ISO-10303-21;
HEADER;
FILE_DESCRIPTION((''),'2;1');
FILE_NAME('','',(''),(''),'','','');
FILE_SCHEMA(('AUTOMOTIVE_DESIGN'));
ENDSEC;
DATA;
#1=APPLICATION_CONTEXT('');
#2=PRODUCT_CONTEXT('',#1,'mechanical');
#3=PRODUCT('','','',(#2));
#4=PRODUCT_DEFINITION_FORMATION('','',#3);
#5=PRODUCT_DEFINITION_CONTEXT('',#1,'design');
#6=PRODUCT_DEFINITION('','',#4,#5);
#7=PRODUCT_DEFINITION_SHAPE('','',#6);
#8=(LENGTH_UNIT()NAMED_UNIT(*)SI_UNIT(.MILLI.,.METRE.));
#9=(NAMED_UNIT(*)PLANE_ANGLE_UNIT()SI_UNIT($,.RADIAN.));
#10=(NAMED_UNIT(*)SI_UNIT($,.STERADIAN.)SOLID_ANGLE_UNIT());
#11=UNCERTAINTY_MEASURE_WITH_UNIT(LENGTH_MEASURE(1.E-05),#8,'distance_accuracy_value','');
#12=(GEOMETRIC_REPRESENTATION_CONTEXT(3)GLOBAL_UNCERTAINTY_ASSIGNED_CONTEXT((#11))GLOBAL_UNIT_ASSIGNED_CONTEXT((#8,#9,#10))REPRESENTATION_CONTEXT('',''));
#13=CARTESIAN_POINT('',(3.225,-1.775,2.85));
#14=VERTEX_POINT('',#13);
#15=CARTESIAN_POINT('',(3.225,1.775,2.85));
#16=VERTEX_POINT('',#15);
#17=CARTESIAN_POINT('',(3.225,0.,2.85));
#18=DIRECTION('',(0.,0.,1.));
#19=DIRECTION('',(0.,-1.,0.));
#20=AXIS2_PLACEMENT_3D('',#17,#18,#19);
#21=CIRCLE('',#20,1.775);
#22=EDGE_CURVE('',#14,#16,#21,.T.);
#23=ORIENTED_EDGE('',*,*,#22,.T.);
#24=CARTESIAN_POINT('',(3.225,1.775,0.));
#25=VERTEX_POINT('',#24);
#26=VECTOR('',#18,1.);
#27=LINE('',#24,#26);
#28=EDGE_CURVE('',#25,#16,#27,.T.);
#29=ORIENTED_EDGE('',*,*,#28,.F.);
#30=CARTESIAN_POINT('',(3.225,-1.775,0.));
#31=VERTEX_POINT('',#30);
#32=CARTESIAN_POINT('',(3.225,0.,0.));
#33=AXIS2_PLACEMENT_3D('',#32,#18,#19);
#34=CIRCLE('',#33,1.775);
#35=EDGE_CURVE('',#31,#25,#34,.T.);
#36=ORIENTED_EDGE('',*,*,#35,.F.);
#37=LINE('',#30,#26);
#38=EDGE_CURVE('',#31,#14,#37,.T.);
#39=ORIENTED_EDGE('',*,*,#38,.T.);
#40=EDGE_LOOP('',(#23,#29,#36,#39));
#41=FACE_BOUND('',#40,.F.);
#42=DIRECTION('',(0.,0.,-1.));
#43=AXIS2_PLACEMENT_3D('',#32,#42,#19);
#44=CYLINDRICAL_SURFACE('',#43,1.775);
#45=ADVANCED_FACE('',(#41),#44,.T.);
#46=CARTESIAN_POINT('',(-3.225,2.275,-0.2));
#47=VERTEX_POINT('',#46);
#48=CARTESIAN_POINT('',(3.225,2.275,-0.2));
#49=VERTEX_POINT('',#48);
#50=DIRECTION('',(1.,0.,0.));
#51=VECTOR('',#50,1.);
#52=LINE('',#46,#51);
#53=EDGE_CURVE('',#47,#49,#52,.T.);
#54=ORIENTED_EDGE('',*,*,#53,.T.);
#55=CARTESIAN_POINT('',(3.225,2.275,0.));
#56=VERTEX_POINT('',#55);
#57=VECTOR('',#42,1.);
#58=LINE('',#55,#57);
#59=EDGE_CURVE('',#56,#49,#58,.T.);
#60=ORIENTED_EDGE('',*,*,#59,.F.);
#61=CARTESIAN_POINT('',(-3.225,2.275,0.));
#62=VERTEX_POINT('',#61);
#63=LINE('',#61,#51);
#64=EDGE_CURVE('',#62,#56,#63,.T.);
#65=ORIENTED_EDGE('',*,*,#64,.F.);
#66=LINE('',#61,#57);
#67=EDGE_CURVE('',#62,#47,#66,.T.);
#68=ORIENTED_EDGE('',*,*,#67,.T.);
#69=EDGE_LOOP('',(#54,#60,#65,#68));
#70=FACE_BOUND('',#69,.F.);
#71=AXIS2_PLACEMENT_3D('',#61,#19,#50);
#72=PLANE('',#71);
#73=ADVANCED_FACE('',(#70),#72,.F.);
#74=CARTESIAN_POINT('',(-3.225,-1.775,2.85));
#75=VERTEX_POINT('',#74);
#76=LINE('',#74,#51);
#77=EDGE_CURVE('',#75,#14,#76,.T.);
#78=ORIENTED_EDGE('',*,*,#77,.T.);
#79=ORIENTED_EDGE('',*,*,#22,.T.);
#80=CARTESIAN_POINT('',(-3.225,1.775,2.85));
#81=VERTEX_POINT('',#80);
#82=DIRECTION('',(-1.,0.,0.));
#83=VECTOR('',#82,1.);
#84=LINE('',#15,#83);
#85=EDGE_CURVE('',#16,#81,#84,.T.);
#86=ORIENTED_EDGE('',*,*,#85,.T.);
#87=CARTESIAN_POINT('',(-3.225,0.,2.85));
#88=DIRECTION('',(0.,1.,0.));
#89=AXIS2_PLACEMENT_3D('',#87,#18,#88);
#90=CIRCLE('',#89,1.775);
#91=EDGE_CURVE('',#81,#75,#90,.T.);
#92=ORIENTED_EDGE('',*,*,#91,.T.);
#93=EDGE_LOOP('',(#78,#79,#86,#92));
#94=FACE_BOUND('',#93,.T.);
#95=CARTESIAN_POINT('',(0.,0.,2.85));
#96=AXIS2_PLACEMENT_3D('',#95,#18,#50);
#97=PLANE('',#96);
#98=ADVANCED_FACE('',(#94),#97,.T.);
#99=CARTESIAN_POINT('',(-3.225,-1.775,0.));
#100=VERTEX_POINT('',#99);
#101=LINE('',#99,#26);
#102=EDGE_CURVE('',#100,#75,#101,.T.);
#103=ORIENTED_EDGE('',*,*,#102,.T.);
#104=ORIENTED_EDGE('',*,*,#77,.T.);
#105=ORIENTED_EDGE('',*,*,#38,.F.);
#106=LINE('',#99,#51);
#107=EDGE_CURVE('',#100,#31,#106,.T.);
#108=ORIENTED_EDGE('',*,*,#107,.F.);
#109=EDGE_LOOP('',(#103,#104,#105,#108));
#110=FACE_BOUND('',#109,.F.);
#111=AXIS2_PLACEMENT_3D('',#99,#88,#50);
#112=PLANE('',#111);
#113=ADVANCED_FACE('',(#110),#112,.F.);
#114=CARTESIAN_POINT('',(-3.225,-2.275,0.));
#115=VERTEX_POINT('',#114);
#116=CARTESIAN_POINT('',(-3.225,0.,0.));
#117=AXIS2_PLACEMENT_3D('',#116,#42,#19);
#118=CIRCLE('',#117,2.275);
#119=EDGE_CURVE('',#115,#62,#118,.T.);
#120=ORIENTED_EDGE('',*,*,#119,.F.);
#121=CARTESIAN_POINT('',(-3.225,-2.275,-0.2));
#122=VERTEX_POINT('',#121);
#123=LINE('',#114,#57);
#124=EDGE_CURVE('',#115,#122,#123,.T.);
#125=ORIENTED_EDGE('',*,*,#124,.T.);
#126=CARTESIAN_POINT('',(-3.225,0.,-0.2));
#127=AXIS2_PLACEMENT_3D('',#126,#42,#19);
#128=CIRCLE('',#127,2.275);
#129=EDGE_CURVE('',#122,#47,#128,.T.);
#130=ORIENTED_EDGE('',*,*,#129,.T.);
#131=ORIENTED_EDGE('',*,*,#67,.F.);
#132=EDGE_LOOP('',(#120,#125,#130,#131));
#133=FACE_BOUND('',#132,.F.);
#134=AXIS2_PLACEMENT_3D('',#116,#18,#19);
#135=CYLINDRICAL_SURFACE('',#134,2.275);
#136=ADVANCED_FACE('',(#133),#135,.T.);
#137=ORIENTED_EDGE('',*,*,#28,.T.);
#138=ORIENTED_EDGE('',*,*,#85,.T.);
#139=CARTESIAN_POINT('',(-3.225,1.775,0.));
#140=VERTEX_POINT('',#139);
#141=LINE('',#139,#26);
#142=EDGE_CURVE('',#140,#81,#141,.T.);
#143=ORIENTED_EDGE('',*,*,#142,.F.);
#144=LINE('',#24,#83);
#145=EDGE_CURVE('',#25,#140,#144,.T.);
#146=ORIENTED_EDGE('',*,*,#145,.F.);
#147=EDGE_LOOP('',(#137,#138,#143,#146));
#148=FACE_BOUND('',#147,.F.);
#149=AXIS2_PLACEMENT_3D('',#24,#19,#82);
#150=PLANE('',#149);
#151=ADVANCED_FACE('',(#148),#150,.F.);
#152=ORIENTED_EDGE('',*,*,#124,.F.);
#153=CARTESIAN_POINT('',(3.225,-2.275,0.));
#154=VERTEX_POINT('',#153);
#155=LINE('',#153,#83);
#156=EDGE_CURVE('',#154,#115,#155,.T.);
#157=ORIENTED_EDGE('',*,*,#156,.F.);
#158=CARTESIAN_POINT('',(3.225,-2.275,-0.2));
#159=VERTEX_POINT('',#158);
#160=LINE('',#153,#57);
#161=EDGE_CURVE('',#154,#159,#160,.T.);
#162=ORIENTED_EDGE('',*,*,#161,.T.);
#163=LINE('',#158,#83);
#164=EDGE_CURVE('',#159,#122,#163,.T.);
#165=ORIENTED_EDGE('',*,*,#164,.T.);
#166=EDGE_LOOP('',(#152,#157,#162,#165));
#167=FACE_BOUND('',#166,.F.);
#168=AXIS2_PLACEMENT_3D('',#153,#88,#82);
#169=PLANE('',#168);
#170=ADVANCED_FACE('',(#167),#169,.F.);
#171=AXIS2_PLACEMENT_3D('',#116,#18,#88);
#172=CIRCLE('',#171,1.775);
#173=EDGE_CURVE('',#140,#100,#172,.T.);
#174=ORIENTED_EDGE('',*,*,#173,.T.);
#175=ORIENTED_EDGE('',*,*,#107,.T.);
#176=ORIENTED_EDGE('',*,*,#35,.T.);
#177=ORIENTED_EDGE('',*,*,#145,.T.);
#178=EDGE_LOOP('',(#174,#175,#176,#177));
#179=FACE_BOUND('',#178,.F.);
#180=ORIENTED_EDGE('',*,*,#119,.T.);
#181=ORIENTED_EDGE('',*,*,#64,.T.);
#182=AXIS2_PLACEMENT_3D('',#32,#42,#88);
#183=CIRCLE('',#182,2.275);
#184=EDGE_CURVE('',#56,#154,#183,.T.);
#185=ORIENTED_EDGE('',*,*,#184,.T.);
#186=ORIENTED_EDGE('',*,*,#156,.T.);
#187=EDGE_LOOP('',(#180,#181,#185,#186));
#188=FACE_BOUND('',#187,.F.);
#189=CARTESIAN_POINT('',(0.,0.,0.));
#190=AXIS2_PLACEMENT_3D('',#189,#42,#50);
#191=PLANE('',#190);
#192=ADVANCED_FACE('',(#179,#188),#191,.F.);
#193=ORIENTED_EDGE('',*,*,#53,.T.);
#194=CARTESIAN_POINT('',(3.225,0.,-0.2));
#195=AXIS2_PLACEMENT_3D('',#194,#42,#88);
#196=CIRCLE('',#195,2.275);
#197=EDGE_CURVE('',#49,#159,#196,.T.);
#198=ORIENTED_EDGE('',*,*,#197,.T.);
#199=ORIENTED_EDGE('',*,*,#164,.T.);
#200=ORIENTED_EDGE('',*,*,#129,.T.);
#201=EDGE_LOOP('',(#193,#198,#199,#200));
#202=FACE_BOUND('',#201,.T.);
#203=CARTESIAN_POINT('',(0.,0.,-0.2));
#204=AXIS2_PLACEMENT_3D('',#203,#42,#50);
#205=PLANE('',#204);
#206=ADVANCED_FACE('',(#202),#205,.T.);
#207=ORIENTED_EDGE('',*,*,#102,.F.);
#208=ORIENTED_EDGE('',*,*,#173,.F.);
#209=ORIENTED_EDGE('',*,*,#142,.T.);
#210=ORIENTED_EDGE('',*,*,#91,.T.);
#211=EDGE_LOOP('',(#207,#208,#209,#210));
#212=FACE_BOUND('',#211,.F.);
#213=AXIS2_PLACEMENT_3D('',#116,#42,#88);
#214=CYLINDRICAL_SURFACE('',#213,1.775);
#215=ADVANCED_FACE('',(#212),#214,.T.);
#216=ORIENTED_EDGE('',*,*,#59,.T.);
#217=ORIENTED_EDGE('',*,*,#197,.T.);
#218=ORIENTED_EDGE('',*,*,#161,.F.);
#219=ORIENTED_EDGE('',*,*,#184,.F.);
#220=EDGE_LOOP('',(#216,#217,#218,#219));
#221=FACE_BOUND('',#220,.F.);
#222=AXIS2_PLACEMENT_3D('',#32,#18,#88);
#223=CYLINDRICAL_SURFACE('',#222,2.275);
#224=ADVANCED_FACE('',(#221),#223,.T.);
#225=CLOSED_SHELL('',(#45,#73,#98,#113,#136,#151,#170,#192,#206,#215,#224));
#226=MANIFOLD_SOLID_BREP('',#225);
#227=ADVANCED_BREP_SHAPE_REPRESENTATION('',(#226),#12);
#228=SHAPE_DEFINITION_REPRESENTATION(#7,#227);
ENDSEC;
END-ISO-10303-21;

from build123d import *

# Parameters (mm, degrees)
F1_DEPTH = 2.85
F3_DEPTH = 0.2


with BuildPart() as f1:
    # F0 (on Top) → F1 (new body)
    with BuildSketch(Plane.XY):
        with BuildLine():
            Line((-3.225, -1.775), (3.225, -1.775))
            ThreePointArc((3.225, -1.775), (5, 0), (3.225, 1.775))
            Line((3.225, 1.775), (-3.225, 1.775))
            ThreePointArc((-3.225, 1.775), (-5, 0), (-3.225, -1.775))
        make_face()
    extrude(amount=F1_DEPTH)

    # F2 (on face) → F3 (join)
    with BuildSketch(Plane(origin=(0, 0, 0), x_dir=(1, 0, 0), z_dir=(0, 0, -1))):
        with BuildLine():
            Line((-3.225, -2.275), (3.225, -2.275))
            ThreePointArc((3.225, -2.275), (5.5, 0), (3.225, 2.275))
            Line((3.225, 2.275), (-3.225, 2.275))
            ThreePointArc((-3.225, 2.275), (-5.5, 0), (-3.225, -2.275))
        make_face()
    extrude(amount=F3_DEPTH)


solid = f1.part
